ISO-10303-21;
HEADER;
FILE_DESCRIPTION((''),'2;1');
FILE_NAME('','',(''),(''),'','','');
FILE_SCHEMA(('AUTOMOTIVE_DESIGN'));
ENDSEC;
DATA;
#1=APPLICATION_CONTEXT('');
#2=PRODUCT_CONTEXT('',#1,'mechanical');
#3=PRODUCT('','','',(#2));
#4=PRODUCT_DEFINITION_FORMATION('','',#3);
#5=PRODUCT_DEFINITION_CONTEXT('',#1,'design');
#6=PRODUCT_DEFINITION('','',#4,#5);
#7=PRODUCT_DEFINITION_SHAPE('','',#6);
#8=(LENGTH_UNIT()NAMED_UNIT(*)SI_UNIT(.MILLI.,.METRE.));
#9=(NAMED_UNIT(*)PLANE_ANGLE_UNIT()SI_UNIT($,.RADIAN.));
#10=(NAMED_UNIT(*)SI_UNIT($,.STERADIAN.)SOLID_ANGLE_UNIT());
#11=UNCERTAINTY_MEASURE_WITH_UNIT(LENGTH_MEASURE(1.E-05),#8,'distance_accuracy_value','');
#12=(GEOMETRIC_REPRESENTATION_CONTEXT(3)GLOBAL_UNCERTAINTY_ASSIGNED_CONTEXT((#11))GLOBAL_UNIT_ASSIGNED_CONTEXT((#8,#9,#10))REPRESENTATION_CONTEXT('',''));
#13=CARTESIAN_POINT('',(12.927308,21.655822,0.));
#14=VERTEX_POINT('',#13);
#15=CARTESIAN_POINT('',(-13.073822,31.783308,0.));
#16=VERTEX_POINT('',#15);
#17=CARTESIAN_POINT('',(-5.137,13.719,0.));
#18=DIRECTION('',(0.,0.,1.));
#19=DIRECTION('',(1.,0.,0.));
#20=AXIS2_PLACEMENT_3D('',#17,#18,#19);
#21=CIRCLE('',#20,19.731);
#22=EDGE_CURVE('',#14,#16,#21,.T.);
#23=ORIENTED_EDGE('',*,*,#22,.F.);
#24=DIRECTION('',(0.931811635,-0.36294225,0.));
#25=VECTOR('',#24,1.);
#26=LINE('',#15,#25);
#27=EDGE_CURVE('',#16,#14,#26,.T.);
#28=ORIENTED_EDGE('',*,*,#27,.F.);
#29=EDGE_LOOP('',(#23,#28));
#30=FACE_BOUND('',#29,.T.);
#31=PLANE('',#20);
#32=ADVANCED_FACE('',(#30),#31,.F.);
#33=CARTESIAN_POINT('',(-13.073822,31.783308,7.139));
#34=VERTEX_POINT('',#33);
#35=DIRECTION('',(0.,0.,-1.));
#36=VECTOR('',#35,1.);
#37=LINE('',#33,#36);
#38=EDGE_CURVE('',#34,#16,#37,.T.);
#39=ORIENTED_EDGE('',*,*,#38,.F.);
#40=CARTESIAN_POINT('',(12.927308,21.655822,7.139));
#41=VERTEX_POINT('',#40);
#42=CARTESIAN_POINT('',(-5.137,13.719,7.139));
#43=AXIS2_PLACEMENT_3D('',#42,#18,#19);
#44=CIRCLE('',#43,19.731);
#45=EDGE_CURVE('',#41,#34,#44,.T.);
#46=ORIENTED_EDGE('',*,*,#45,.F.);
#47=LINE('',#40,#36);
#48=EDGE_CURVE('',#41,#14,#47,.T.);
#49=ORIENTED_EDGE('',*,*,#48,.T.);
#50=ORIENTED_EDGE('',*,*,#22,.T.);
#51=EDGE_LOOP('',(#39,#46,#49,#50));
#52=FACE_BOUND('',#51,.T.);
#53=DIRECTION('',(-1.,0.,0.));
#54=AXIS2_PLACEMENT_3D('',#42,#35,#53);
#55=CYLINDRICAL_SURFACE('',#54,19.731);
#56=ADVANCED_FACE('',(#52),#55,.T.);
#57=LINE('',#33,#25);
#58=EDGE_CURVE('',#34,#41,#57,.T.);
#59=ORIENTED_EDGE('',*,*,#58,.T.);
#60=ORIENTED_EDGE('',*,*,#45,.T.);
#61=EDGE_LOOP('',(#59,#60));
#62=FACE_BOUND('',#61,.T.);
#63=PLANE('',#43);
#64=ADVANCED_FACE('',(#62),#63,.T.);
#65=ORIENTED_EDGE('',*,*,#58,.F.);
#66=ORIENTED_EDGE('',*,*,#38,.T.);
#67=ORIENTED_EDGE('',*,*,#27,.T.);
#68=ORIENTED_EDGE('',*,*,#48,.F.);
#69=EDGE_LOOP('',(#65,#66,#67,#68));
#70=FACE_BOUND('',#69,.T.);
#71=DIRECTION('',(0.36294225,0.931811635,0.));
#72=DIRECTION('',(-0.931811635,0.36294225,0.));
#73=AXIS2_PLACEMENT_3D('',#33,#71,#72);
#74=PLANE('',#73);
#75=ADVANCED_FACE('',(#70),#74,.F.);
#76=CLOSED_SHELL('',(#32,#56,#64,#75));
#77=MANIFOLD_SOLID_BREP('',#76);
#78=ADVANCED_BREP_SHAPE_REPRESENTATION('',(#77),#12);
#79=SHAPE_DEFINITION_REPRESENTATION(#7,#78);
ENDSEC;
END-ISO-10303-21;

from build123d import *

# Parameters (mm, degrees)
CURVEBOSS_DEPTH = 7.139


with BuildPart() as part:
    # CurveSketch → CurveBoss (new body)
    with BuildSketch(Plane.XY):
        with BuildLine():
            Line((-13.073822369, 31.783307673), (12.927307673, 21.655822369))
            ThreePointArc((12.927307673, 21.655822369), (2.024213535, 32.104575371), (-13.073822369, 31.783307673))
        make_face()
    extrude(amount=CURVEBOSS_DEPTH)


solid = part.part
